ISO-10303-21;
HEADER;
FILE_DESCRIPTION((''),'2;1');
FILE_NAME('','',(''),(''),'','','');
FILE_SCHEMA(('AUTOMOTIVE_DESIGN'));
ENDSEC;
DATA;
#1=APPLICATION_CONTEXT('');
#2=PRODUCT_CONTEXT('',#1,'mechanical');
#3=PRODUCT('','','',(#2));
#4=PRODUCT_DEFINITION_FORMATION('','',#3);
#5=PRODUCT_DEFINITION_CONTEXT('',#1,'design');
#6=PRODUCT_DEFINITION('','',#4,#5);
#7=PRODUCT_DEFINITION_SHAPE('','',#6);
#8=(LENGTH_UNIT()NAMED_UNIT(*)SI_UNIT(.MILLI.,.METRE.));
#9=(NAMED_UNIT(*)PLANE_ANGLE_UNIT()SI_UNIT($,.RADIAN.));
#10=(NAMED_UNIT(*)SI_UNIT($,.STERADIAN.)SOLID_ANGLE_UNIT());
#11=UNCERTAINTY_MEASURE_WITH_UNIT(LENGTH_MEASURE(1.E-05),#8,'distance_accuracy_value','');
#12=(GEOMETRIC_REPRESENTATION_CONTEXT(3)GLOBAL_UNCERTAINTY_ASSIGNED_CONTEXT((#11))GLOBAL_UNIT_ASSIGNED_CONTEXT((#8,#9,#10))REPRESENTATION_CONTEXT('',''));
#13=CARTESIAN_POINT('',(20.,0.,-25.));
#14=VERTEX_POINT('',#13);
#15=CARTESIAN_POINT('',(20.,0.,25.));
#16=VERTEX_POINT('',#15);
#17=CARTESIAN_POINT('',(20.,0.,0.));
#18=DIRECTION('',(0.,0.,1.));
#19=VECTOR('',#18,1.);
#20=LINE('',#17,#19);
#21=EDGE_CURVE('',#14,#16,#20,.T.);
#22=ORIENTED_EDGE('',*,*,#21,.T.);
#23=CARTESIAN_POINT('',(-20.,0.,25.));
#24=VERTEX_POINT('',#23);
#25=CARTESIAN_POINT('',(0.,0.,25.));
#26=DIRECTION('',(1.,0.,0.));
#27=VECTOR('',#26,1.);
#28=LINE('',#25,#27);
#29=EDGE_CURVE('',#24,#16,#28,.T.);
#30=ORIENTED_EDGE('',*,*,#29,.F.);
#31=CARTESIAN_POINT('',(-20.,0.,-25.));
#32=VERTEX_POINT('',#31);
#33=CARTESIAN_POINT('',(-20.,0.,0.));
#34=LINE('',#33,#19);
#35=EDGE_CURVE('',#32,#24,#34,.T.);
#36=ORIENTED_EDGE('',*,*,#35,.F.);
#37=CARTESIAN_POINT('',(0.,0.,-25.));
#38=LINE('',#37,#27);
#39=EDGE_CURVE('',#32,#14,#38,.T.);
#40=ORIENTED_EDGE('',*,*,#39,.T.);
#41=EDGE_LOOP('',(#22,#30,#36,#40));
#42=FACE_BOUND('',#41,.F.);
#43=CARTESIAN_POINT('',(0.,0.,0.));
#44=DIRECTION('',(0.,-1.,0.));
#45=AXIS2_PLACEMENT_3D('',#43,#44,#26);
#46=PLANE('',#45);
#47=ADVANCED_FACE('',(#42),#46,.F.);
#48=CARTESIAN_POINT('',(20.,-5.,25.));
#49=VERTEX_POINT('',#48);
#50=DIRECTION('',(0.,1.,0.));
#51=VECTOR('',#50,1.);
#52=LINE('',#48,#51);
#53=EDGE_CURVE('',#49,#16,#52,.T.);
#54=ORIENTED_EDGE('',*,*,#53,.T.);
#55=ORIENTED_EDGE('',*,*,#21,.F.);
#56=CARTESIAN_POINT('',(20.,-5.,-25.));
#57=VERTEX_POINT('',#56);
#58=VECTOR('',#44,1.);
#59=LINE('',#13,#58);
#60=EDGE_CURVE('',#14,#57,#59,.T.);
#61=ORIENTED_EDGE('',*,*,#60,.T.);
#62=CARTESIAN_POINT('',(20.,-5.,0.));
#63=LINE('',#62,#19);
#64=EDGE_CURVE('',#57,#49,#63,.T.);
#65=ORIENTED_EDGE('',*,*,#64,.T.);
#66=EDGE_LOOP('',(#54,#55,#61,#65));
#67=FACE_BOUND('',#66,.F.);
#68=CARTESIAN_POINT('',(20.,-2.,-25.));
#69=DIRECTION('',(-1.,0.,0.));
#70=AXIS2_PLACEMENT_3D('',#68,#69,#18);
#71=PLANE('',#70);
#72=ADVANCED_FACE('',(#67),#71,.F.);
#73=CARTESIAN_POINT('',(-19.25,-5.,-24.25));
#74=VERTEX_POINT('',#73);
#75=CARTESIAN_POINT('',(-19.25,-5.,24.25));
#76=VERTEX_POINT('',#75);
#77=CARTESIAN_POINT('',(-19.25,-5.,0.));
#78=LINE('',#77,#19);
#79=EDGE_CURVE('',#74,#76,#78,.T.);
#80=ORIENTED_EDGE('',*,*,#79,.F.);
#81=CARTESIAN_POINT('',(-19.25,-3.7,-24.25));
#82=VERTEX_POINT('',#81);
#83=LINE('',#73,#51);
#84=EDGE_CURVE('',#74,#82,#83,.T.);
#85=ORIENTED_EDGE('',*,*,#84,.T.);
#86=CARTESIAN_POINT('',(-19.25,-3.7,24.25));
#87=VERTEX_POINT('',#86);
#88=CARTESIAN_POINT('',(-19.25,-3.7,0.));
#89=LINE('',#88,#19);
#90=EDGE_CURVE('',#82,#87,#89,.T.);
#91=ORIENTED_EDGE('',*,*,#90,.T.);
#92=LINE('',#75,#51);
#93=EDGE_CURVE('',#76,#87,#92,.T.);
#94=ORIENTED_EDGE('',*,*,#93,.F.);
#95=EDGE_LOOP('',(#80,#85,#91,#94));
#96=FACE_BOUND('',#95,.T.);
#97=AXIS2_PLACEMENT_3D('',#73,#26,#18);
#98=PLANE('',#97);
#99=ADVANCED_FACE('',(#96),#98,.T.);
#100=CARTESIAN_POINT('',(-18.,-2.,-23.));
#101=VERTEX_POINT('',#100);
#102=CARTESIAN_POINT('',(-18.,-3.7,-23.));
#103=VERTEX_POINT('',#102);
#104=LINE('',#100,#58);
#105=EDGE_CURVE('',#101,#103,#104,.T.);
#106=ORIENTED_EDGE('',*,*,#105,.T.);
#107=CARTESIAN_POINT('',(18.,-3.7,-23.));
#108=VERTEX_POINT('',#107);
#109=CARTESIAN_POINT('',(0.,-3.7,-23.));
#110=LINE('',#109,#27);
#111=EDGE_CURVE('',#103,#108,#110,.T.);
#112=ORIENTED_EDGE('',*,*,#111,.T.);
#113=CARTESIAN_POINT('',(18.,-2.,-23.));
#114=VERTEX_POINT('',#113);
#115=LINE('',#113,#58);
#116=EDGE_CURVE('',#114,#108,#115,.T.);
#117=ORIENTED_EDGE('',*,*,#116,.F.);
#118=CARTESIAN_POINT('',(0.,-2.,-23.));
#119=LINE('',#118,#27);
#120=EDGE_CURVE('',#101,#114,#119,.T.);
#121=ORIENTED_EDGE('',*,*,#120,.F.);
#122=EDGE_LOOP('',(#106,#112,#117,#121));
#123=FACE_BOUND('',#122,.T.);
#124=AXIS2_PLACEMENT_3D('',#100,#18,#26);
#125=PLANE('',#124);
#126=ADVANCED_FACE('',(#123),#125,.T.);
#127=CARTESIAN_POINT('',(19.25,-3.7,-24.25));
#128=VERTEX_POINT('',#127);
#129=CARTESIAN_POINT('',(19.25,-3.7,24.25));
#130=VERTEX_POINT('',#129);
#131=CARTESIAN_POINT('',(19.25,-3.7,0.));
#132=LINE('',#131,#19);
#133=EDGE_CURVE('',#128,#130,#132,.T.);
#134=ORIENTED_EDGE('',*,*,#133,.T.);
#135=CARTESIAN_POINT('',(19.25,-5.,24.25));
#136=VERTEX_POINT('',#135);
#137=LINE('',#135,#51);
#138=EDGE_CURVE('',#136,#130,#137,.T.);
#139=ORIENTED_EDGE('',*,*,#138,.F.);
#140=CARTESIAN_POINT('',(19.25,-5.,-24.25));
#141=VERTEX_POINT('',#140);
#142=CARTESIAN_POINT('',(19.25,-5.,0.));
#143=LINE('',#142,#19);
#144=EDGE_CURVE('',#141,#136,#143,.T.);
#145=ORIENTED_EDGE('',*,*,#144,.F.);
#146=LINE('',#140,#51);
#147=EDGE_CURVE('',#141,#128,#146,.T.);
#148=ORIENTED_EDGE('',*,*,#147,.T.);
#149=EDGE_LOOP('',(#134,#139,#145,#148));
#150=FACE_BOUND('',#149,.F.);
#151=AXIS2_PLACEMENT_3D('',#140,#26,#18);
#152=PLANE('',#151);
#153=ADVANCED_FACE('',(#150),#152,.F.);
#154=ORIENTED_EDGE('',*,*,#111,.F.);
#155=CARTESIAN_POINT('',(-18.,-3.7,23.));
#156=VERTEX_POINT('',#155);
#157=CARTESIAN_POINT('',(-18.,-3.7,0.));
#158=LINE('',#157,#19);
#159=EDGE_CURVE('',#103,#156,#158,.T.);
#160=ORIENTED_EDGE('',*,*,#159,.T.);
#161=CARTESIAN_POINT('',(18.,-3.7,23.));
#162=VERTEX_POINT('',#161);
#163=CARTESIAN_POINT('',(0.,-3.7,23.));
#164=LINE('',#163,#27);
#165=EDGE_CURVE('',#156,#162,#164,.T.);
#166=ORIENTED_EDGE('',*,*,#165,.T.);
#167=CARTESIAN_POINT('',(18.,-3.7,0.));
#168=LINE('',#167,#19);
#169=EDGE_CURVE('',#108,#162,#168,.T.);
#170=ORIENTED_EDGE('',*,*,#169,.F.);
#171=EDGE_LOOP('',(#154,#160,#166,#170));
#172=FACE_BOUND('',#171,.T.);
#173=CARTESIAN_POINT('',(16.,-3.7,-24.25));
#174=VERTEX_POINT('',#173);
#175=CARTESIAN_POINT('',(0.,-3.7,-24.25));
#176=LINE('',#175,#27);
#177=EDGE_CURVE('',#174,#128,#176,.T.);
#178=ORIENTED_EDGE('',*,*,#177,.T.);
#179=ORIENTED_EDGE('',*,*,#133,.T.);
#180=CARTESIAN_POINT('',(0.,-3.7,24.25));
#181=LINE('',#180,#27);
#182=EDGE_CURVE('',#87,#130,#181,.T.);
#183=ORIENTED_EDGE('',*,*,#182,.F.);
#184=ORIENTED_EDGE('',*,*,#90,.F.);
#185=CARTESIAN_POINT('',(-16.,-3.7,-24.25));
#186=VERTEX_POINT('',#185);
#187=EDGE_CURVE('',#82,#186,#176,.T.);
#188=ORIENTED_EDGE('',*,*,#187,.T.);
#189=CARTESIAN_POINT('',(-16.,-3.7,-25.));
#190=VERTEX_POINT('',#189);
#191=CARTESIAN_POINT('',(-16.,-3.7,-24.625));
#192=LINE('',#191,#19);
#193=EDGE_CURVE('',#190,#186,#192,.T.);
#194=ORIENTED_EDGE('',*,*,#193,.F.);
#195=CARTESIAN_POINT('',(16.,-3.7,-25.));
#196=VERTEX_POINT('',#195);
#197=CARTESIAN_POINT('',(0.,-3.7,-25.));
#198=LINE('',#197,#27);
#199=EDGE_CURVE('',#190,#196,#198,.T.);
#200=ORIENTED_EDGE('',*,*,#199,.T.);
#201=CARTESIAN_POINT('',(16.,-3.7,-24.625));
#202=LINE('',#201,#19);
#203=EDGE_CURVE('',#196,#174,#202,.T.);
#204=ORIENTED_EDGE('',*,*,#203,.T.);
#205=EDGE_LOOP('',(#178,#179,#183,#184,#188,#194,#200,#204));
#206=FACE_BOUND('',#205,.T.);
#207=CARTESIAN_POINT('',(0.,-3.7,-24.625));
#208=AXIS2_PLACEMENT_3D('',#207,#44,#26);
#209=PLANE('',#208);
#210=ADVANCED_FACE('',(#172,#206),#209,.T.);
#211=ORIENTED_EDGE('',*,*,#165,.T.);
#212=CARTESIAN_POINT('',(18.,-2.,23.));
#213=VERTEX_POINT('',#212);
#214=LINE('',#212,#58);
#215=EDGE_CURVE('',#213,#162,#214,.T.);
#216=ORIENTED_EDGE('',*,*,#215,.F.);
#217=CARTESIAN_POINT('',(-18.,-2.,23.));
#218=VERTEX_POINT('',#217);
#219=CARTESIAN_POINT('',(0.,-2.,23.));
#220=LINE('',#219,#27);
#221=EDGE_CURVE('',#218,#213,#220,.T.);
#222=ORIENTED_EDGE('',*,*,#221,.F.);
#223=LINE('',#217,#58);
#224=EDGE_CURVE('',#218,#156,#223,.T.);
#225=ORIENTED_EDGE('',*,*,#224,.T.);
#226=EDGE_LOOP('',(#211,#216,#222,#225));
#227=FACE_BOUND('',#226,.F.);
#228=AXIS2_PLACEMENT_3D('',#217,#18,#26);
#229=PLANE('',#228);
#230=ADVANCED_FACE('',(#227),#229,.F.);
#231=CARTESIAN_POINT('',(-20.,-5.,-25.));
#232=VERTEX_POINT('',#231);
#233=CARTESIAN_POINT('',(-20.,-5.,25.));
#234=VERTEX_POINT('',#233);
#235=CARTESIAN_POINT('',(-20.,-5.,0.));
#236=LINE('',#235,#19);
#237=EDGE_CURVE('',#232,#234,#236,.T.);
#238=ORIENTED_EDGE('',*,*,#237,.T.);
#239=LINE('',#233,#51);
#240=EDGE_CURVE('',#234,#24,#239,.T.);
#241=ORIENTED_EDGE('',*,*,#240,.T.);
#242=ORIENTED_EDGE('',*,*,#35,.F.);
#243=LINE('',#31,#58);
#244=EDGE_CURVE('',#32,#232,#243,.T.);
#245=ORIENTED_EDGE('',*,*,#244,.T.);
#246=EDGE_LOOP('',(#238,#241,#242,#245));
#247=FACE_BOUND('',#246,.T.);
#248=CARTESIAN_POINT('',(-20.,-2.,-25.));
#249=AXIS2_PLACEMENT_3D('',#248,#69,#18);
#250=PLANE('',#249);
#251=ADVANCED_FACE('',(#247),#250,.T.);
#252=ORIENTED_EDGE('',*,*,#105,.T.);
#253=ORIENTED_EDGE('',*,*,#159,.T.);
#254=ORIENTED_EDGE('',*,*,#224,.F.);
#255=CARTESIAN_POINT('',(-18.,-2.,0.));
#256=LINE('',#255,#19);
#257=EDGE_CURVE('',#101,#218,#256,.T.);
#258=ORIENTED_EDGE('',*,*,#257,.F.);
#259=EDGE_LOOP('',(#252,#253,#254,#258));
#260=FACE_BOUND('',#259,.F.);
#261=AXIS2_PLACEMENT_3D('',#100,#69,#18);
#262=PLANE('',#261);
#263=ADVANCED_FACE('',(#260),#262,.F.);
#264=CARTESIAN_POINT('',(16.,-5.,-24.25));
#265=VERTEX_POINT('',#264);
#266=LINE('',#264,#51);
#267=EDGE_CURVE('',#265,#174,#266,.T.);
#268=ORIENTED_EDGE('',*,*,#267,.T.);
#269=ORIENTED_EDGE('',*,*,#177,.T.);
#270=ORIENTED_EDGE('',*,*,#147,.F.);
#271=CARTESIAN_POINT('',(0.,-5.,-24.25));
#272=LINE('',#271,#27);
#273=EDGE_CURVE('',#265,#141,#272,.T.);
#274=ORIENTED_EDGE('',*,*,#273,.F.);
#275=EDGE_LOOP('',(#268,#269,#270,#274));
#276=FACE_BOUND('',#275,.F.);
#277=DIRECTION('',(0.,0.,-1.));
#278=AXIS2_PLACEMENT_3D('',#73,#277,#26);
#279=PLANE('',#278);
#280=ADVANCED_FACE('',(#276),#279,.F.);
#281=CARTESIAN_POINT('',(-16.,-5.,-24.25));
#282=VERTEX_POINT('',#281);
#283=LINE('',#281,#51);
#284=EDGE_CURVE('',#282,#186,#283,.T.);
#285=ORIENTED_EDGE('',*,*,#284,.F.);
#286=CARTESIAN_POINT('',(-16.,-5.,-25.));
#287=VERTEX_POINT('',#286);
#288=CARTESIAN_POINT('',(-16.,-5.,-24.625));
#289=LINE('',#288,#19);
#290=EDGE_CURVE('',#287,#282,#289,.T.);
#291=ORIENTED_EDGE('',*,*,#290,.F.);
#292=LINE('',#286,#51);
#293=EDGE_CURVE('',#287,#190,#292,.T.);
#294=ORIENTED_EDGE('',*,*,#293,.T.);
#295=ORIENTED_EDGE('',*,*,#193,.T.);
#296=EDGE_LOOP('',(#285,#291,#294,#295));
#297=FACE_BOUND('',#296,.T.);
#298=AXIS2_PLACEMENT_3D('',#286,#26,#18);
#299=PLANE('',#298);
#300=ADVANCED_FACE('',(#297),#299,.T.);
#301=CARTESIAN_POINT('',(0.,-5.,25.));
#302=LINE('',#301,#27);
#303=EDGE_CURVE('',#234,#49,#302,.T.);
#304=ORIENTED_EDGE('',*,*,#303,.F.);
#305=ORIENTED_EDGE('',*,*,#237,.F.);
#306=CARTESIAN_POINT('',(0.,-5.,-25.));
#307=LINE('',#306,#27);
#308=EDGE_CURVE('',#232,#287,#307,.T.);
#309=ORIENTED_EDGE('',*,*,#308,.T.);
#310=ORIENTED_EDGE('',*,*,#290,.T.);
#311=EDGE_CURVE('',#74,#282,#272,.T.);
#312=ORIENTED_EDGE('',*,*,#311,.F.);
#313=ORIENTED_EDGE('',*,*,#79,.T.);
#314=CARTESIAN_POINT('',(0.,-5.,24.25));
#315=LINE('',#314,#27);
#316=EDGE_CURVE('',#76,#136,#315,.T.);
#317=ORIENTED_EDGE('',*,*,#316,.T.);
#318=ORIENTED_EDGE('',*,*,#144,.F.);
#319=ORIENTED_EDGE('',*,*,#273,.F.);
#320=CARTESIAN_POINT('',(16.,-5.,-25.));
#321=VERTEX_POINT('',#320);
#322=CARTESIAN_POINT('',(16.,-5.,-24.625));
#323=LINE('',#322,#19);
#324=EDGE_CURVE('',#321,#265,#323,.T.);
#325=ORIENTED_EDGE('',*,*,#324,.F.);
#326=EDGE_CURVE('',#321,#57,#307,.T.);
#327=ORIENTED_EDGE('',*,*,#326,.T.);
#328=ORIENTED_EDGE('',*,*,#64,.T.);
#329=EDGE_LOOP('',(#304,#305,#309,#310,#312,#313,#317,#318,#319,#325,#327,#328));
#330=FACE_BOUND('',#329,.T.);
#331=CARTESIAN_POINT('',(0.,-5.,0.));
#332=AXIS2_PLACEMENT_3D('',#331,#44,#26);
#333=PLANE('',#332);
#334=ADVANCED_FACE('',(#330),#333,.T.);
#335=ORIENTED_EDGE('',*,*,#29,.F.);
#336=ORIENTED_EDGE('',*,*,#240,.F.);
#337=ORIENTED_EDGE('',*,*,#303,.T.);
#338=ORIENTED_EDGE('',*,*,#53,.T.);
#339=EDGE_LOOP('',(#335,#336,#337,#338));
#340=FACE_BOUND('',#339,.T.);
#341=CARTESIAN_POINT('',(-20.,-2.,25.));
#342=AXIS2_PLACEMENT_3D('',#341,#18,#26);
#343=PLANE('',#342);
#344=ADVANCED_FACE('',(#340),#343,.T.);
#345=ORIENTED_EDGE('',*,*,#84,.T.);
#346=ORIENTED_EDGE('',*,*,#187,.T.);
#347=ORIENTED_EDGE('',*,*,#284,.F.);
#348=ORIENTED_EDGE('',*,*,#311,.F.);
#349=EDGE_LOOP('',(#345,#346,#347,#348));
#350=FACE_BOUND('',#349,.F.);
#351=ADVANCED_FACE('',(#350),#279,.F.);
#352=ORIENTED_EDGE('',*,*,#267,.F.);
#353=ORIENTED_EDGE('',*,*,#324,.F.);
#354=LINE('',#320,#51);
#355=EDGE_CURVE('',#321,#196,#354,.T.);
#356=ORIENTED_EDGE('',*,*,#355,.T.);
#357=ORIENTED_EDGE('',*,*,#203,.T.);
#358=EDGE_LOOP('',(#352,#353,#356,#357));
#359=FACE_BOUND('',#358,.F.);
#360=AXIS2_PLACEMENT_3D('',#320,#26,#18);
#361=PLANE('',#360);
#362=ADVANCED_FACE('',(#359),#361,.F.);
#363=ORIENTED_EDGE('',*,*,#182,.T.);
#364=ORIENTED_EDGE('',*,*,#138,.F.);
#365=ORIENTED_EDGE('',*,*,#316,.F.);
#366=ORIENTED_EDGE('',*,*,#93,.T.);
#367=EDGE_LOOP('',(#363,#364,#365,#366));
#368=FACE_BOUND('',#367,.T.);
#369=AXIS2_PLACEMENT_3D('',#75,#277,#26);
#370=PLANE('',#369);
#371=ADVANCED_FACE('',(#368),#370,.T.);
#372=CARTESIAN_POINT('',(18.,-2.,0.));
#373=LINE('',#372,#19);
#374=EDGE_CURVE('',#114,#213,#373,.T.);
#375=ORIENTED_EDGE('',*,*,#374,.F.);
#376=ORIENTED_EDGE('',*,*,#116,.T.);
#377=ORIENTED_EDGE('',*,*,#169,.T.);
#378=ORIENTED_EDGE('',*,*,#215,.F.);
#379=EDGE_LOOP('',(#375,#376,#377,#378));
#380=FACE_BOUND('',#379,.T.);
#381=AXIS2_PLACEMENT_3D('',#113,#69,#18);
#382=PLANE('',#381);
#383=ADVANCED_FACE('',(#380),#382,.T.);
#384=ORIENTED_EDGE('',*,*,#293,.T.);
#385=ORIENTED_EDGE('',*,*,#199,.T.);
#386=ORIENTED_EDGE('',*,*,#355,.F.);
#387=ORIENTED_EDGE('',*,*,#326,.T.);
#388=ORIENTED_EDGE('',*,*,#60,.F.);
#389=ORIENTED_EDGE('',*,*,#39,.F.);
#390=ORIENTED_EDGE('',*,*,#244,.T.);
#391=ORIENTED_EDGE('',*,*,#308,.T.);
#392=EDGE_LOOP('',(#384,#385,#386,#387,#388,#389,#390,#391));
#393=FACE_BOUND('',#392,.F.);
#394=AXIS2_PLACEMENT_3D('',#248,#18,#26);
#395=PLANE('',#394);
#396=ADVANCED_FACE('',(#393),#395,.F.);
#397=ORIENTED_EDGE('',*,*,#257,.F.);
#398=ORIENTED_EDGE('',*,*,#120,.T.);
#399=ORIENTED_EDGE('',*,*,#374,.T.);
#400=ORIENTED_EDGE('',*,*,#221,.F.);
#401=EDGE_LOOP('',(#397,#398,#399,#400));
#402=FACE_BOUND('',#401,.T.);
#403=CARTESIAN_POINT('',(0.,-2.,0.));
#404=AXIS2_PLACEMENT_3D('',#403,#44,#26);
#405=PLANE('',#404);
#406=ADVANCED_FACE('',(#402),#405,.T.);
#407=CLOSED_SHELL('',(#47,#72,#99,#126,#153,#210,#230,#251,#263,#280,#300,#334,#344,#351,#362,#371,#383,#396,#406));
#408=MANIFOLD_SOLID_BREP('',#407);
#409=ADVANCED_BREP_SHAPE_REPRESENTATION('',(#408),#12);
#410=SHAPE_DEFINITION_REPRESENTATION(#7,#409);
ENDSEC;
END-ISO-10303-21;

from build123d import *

# Parameters (mm, degrees)
F0_W     = 40
F0_H     = 50
F1_DEPTH = 2
F2_W     = 40
F2_H     = 50
F2_W_2   = 36
F2_H_2   = 46
F3_DEPTH = 3
F4_W     = 38.5
F4_H     = 48.5
F4_W_2   = 36
F4_H_2   = 46
F5_DEPTH = 1.3
F6_W     = 32
F6_H     = 0.75
F7_DEPTH = 1.3


with BuildPart() as f1:
    # F0 (on Front) → F1 (new body)
    with BuildSketch(Plane.XZ):
        Rectangle(F0_W, F0_H)
    extrude(amount=F1_DEPTH)

    # F2 (on face) → F3 (join)
    with BuildSketch(Plane.XZ.offset(2)):
        Rectangle(F2_W, F2_H)
        Rectangle(F2_W_2, F2_H_2, mode=Mode.SUBTRACT)
    extrude(amount=F3_DEPTH)

    # F4 (on face) → F5 (cut)
    with BuildSketch(Plane.XZ.offset(5)):
        Rectangle(F4_W, F4_H)
        Rectangle(F4_W_2, F4_H_2, mode=Mode.SUBTRACT)
    extrude(amount=-F5_DEPTH, mode=Mode.SUBTRACT)

    # F6 (on face) → F7 (cut)
    with BuildSketch(Plane.XZ.offset(5)):
        with Locations((0, -24.625)):
            Rectangle(F6_W, F6_H)
    extrude(amount=-F7_DEPTH, mode=Mode.SUBTRACT)


solid = f1.part
